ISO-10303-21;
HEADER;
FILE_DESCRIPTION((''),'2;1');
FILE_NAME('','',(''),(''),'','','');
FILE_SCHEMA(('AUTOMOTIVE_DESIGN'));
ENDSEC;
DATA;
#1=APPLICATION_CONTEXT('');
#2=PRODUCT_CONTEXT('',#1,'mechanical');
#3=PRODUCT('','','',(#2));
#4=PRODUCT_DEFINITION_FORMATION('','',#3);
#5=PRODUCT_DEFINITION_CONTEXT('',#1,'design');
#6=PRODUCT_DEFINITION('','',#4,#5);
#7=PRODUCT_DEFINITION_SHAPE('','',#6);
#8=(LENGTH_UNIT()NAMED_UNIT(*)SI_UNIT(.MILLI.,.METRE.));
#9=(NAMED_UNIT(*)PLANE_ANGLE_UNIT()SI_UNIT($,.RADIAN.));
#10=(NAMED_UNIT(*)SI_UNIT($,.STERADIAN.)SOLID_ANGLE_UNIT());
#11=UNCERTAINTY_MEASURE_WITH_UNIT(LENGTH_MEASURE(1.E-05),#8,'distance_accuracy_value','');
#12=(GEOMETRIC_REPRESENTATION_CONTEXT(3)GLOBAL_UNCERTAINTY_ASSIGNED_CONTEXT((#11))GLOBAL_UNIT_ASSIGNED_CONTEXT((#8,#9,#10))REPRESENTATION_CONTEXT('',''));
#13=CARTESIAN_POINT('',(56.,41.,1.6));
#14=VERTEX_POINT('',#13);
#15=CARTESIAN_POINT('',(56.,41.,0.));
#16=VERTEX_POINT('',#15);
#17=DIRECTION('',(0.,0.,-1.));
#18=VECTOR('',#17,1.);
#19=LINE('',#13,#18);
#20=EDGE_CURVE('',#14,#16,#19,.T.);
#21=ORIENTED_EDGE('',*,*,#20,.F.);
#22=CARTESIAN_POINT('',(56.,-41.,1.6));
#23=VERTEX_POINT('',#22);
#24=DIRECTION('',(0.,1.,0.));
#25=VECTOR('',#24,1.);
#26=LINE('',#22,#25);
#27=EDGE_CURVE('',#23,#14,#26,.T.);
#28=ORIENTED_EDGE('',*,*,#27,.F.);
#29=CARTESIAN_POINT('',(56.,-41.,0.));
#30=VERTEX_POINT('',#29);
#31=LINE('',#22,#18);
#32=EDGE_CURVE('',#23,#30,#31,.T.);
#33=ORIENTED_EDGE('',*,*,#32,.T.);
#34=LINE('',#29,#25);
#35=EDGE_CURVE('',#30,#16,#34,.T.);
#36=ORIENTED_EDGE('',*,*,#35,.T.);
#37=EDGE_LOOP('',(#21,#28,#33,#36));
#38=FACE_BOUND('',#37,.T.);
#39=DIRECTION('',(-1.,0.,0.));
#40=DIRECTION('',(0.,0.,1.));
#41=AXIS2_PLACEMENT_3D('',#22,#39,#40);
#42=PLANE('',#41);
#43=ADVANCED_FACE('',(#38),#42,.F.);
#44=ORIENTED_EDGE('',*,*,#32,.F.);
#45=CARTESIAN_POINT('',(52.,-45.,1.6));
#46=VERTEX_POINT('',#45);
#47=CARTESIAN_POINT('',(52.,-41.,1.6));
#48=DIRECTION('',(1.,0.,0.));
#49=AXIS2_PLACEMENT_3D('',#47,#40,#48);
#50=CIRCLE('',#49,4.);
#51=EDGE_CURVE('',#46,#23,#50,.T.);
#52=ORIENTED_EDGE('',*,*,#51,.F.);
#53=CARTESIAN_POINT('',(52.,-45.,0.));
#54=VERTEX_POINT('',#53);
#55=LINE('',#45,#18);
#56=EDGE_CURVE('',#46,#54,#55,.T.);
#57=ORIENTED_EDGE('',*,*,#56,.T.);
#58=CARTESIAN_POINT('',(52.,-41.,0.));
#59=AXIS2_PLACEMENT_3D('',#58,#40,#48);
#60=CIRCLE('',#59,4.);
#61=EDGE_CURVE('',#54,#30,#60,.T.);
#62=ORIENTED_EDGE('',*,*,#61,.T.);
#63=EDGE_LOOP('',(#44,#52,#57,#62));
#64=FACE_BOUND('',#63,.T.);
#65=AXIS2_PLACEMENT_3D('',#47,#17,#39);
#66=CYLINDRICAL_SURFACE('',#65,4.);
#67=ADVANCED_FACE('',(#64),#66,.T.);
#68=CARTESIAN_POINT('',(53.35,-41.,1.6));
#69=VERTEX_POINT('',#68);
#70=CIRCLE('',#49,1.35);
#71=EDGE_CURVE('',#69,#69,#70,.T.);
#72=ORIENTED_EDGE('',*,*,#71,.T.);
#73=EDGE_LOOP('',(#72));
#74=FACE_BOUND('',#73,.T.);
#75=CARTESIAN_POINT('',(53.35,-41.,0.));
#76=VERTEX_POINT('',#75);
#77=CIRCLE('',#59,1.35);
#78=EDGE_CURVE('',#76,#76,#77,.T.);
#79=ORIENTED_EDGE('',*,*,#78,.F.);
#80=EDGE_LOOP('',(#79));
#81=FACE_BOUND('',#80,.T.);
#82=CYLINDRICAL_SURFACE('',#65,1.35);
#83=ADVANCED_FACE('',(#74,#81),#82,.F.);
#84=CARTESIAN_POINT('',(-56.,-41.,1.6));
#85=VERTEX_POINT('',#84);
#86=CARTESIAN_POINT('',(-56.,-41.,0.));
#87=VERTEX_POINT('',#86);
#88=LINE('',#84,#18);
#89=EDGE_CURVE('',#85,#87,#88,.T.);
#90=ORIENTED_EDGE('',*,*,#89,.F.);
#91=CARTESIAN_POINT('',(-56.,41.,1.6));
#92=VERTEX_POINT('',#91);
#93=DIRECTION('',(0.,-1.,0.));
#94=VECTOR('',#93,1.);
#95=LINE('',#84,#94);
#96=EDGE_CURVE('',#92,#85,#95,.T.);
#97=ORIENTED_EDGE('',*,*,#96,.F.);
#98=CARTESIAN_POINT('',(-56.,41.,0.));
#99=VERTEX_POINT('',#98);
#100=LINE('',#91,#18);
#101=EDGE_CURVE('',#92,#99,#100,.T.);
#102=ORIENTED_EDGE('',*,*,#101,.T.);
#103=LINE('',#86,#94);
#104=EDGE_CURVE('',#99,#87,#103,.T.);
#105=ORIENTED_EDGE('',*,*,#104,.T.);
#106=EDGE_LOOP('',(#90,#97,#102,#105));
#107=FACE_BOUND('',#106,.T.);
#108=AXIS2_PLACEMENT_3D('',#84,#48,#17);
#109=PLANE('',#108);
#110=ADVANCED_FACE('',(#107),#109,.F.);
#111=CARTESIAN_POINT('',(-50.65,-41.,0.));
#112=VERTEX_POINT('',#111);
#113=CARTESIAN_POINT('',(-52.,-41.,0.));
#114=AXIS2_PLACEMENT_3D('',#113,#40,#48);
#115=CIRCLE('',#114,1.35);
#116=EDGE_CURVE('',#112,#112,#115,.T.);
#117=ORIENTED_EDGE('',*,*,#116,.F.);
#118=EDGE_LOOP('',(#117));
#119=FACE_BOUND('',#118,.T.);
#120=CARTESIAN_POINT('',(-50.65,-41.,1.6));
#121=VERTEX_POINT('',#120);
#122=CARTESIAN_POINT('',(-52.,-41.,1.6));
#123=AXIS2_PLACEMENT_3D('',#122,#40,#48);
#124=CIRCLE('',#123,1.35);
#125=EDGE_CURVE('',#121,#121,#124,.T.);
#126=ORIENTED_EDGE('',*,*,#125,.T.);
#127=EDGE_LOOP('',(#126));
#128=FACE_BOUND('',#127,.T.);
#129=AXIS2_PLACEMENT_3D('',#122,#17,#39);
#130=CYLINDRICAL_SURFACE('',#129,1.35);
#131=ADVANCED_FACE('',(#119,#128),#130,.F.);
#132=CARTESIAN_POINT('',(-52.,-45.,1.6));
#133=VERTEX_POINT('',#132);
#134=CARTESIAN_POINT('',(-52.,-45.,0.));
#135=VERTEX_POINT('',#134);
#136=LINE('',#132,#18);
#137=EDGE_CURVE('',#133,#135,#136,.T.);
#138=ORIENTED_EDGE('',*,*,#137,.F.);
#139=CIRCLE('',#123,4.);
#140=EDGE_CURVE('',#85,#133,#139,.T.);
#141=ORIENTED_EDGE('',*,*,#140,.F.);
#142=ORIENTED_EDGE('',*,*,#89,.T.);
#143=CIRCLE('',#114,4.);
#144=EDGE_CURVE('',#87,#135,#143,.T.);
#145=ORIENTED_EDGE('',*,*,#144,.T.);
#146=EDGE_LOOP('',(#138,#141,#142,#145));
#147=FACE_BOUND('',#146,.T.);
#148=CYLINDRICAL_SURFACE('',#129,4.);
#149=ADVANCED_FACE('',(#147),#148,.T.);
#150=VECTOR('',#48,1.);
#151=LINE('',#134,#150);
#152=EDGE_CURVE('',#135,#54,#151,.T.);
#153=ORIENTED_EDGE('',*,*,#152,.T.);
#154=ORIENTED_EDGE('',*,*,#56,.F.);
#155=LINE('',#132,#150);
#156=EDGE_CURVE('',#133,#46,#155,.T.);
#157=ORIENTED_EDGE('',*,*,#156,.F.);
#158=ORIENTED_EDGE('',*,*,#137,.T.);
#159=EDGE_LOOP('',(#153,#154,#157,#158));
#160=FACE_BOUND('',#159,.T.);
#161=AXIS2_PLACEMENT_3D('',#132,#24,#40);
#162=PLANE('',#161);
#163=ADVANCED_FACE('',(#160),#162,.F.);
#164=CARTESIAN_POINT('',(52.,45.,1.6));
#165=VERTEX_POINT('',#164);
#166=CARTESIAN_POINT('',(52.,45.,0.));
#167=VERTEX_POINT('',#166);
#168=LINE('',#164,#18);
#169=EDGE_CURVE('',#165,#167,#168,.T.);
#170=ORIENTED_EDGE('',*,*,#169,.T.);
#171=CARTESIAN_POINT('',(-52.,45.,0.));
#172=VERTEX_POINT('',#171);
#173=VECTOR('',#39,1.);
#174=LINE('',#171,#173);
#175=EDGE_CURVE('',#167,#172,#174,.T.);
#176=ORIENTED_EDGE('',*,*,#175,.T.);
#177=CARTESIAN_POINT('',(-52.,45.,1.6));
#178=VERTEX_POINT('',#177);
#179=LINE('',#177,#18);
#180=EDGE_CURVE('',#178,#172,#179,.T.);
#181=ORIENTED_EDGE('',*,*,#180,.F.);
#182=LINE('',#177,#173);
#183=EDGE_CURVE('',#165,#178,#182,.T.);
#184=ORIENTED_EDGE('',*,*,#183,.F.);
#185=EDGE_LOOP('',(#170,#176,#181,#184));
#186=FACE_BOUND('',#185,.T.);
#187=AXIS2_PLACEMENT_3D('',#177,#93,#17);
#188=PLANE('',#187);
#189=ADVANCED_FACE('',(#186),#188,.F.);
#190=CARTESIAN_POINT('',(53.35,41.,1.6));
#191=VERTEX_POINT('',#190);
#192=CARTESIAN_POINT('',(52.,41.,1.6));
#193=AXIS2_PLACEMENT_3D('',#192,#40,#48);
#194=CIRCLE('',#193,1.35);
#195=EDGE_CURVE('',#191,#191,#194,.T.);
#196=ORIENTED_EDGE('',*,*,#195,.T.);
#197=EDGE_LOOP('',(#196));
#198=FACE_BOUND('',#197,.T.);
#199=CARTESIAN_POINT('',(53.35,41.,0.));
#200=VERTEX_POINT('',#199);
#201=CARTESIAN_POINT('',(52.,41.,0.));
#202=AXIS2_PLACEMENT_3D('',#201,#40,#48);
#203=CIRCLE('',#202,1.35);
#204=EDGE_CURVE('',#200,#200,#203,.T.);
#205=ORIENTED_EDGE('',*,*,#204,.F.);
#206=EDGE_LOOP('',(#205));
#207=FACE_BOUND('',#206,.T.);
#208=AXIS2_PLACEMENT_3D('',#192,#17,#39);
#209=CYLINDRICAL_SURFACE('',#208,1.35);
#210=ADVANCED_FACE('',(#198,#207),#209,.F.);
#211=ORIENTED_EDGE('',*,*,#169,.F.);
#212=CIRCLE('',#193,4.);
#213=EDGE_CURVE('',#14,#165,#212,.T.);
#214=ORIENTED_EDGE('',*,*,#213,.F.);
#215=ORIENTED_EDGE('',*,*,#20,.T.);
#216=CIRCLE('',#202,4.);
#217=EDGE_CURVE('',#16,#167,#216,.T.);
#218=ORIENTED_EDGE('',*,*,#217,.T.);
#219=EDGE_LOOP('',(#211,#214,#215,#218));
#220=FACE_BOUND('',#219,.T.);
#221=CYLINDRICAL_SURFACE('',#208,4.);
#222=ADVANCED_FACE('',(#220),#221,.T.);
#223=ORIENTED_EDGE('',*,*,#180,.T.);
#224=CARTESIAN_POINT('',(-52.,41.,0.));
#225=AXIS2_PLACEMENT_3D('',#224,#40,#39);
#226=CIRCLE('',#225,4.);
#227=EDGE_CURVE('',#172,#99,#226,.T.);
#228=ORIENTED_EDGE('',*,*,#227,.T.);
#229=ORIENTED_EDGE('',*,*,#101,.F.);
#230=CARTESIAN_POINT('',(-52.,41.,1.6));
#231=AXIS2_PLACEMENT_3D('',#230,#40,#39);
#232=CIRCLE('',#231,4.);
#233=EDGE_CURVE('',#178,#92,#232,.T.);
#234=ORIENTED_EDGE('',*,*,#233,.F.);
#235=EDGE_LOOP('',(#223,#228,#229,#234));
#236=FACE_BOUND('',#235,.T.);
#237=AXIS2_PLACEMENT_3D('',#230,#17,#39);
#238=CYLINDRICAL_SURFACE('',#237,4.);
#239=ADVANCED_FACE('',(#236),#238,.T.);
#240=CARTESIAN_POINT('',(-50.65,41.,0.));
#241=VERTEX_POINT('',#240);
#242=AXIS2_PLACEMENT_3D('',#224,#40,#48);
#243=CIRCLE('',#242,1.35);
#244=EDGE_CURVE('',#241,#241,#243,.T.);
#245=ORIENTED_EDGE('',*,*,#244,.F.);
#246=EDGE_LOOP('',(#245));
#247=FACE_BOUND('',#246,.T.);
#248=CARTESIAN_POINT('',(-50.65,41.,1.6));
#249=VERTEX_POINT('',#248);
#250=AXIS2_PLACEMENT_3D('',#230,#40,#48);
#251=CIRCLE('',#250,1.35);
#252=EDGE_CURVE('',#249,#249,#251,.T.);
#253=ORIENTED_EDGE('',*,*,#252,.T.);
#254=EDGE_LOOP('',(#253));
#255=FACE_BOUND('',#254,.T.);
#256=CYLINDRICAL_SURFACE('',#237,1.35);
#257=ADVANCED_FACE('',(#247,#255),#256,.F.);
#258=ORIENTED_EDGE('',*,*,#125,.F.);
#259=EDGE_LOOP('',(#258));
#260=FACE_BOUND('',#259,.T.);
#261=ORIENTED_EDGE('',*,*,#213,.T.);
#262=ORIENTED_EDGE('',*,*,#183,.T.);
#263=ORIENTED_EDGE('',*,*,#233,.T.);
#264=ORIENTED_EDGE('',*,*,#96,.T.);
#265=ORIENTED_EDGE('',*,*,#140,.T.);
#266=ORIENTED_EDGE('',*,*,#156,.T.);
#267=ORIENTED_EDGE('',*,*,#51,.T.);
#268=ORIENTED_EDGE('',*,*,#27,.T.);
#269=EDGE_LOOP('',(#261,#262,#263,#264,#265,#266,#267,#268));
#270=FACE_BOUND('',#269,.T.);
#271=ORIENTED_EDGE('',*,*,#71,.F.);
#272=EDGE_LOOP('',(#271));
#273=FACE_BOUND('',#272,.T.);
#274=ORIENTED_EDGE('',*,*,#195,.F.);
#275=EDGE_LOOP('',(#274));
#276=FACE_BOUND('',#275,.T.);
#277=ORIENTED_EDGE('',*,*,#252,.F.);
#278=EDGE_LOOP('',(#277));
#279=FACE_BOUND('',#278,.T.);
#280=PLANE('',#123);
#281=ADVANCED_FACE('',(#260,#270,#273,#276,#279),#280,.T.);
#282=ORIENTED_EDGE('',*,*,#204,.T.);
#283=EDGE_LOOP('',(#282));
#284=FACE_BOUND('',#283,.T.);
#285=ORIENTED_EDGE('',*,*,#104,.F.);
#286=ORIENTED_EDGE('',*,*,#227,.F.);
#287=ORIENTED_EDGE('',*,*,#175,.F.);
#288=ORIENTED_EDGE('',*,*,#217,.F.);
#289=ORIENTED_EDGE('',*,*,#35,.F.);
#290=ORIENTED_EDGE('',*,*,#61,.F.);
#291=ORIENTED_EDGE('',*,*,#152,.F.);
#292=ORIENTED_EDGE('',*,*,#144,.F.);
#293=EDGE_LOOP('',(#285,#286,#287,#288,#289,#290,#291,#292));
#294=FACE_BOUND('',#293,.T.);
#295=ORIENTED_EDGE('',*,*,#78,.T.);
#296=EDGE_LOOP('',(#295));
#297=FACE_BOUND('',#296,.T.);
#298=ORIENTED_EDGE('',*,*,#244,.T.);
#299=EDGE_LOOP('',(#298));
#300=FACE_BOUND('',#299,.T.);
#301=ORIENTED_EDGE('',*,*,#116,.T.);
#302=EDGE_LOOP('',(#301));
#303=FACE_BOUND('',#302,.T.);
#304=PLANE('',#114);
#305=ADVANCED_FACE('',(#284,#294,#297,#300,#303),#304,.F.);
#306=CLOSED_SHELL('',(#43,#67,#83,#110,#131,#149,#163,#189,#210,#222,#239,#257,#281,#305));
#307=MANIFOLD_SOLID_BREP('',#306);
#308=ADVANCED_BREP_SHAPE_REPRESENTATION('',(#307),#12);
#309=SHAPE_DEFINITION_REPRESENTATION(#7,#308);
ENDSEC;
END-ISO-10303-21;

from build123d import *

# Parameters (mm, degrees)
SKETCH1_R           = 1.35
BOSS_EXTRUDE1_DEPTH = 1.6


with BuildPart() as part:
    # Sketch1 → Boss-Extrude1 (new body)
    with BuildSketch(Plane.XY):
        with BuildLine():
            Line((-52, -45), (52, -45))
            ThreePointArc((52, -45), (54.828427125, -43.828427125), (56, -41))
            Line((56, -41), (56, 41))
            ThreePointArc((56, 41), (54.828427125, 43.828427125), (52, 45))
            Line((52, 45), (-52, 45))
            ThreePointArc((-52, 45), (-54.828427125, 43.828427125), (-56, 41))
            Line((-56, 41), (-56, -41))
            ThreePointArc((-56, -41), (-54.828427125, -43.828427125), (-52, -45))
        make_face()
        with Locations((-52, 41)):
            Circle(SKETCH1_R, mode=Mode.SUBTRACT)
        with Locations((52, 41)):
            Circle(SKETCH1_R, mode=Mode.SUBTRACT)
        with Locations((52, -41)):
            Circle(SKETCH1_R, mode=Mode.SUBTRACT)
        with Locations((-52, -41)):
            Circle(SKETCH1_R, mode=Mode.SUBTRACT)
    extrude(amount=BOSS_EXTRUDE1_DEPTH)


solid = part.part
